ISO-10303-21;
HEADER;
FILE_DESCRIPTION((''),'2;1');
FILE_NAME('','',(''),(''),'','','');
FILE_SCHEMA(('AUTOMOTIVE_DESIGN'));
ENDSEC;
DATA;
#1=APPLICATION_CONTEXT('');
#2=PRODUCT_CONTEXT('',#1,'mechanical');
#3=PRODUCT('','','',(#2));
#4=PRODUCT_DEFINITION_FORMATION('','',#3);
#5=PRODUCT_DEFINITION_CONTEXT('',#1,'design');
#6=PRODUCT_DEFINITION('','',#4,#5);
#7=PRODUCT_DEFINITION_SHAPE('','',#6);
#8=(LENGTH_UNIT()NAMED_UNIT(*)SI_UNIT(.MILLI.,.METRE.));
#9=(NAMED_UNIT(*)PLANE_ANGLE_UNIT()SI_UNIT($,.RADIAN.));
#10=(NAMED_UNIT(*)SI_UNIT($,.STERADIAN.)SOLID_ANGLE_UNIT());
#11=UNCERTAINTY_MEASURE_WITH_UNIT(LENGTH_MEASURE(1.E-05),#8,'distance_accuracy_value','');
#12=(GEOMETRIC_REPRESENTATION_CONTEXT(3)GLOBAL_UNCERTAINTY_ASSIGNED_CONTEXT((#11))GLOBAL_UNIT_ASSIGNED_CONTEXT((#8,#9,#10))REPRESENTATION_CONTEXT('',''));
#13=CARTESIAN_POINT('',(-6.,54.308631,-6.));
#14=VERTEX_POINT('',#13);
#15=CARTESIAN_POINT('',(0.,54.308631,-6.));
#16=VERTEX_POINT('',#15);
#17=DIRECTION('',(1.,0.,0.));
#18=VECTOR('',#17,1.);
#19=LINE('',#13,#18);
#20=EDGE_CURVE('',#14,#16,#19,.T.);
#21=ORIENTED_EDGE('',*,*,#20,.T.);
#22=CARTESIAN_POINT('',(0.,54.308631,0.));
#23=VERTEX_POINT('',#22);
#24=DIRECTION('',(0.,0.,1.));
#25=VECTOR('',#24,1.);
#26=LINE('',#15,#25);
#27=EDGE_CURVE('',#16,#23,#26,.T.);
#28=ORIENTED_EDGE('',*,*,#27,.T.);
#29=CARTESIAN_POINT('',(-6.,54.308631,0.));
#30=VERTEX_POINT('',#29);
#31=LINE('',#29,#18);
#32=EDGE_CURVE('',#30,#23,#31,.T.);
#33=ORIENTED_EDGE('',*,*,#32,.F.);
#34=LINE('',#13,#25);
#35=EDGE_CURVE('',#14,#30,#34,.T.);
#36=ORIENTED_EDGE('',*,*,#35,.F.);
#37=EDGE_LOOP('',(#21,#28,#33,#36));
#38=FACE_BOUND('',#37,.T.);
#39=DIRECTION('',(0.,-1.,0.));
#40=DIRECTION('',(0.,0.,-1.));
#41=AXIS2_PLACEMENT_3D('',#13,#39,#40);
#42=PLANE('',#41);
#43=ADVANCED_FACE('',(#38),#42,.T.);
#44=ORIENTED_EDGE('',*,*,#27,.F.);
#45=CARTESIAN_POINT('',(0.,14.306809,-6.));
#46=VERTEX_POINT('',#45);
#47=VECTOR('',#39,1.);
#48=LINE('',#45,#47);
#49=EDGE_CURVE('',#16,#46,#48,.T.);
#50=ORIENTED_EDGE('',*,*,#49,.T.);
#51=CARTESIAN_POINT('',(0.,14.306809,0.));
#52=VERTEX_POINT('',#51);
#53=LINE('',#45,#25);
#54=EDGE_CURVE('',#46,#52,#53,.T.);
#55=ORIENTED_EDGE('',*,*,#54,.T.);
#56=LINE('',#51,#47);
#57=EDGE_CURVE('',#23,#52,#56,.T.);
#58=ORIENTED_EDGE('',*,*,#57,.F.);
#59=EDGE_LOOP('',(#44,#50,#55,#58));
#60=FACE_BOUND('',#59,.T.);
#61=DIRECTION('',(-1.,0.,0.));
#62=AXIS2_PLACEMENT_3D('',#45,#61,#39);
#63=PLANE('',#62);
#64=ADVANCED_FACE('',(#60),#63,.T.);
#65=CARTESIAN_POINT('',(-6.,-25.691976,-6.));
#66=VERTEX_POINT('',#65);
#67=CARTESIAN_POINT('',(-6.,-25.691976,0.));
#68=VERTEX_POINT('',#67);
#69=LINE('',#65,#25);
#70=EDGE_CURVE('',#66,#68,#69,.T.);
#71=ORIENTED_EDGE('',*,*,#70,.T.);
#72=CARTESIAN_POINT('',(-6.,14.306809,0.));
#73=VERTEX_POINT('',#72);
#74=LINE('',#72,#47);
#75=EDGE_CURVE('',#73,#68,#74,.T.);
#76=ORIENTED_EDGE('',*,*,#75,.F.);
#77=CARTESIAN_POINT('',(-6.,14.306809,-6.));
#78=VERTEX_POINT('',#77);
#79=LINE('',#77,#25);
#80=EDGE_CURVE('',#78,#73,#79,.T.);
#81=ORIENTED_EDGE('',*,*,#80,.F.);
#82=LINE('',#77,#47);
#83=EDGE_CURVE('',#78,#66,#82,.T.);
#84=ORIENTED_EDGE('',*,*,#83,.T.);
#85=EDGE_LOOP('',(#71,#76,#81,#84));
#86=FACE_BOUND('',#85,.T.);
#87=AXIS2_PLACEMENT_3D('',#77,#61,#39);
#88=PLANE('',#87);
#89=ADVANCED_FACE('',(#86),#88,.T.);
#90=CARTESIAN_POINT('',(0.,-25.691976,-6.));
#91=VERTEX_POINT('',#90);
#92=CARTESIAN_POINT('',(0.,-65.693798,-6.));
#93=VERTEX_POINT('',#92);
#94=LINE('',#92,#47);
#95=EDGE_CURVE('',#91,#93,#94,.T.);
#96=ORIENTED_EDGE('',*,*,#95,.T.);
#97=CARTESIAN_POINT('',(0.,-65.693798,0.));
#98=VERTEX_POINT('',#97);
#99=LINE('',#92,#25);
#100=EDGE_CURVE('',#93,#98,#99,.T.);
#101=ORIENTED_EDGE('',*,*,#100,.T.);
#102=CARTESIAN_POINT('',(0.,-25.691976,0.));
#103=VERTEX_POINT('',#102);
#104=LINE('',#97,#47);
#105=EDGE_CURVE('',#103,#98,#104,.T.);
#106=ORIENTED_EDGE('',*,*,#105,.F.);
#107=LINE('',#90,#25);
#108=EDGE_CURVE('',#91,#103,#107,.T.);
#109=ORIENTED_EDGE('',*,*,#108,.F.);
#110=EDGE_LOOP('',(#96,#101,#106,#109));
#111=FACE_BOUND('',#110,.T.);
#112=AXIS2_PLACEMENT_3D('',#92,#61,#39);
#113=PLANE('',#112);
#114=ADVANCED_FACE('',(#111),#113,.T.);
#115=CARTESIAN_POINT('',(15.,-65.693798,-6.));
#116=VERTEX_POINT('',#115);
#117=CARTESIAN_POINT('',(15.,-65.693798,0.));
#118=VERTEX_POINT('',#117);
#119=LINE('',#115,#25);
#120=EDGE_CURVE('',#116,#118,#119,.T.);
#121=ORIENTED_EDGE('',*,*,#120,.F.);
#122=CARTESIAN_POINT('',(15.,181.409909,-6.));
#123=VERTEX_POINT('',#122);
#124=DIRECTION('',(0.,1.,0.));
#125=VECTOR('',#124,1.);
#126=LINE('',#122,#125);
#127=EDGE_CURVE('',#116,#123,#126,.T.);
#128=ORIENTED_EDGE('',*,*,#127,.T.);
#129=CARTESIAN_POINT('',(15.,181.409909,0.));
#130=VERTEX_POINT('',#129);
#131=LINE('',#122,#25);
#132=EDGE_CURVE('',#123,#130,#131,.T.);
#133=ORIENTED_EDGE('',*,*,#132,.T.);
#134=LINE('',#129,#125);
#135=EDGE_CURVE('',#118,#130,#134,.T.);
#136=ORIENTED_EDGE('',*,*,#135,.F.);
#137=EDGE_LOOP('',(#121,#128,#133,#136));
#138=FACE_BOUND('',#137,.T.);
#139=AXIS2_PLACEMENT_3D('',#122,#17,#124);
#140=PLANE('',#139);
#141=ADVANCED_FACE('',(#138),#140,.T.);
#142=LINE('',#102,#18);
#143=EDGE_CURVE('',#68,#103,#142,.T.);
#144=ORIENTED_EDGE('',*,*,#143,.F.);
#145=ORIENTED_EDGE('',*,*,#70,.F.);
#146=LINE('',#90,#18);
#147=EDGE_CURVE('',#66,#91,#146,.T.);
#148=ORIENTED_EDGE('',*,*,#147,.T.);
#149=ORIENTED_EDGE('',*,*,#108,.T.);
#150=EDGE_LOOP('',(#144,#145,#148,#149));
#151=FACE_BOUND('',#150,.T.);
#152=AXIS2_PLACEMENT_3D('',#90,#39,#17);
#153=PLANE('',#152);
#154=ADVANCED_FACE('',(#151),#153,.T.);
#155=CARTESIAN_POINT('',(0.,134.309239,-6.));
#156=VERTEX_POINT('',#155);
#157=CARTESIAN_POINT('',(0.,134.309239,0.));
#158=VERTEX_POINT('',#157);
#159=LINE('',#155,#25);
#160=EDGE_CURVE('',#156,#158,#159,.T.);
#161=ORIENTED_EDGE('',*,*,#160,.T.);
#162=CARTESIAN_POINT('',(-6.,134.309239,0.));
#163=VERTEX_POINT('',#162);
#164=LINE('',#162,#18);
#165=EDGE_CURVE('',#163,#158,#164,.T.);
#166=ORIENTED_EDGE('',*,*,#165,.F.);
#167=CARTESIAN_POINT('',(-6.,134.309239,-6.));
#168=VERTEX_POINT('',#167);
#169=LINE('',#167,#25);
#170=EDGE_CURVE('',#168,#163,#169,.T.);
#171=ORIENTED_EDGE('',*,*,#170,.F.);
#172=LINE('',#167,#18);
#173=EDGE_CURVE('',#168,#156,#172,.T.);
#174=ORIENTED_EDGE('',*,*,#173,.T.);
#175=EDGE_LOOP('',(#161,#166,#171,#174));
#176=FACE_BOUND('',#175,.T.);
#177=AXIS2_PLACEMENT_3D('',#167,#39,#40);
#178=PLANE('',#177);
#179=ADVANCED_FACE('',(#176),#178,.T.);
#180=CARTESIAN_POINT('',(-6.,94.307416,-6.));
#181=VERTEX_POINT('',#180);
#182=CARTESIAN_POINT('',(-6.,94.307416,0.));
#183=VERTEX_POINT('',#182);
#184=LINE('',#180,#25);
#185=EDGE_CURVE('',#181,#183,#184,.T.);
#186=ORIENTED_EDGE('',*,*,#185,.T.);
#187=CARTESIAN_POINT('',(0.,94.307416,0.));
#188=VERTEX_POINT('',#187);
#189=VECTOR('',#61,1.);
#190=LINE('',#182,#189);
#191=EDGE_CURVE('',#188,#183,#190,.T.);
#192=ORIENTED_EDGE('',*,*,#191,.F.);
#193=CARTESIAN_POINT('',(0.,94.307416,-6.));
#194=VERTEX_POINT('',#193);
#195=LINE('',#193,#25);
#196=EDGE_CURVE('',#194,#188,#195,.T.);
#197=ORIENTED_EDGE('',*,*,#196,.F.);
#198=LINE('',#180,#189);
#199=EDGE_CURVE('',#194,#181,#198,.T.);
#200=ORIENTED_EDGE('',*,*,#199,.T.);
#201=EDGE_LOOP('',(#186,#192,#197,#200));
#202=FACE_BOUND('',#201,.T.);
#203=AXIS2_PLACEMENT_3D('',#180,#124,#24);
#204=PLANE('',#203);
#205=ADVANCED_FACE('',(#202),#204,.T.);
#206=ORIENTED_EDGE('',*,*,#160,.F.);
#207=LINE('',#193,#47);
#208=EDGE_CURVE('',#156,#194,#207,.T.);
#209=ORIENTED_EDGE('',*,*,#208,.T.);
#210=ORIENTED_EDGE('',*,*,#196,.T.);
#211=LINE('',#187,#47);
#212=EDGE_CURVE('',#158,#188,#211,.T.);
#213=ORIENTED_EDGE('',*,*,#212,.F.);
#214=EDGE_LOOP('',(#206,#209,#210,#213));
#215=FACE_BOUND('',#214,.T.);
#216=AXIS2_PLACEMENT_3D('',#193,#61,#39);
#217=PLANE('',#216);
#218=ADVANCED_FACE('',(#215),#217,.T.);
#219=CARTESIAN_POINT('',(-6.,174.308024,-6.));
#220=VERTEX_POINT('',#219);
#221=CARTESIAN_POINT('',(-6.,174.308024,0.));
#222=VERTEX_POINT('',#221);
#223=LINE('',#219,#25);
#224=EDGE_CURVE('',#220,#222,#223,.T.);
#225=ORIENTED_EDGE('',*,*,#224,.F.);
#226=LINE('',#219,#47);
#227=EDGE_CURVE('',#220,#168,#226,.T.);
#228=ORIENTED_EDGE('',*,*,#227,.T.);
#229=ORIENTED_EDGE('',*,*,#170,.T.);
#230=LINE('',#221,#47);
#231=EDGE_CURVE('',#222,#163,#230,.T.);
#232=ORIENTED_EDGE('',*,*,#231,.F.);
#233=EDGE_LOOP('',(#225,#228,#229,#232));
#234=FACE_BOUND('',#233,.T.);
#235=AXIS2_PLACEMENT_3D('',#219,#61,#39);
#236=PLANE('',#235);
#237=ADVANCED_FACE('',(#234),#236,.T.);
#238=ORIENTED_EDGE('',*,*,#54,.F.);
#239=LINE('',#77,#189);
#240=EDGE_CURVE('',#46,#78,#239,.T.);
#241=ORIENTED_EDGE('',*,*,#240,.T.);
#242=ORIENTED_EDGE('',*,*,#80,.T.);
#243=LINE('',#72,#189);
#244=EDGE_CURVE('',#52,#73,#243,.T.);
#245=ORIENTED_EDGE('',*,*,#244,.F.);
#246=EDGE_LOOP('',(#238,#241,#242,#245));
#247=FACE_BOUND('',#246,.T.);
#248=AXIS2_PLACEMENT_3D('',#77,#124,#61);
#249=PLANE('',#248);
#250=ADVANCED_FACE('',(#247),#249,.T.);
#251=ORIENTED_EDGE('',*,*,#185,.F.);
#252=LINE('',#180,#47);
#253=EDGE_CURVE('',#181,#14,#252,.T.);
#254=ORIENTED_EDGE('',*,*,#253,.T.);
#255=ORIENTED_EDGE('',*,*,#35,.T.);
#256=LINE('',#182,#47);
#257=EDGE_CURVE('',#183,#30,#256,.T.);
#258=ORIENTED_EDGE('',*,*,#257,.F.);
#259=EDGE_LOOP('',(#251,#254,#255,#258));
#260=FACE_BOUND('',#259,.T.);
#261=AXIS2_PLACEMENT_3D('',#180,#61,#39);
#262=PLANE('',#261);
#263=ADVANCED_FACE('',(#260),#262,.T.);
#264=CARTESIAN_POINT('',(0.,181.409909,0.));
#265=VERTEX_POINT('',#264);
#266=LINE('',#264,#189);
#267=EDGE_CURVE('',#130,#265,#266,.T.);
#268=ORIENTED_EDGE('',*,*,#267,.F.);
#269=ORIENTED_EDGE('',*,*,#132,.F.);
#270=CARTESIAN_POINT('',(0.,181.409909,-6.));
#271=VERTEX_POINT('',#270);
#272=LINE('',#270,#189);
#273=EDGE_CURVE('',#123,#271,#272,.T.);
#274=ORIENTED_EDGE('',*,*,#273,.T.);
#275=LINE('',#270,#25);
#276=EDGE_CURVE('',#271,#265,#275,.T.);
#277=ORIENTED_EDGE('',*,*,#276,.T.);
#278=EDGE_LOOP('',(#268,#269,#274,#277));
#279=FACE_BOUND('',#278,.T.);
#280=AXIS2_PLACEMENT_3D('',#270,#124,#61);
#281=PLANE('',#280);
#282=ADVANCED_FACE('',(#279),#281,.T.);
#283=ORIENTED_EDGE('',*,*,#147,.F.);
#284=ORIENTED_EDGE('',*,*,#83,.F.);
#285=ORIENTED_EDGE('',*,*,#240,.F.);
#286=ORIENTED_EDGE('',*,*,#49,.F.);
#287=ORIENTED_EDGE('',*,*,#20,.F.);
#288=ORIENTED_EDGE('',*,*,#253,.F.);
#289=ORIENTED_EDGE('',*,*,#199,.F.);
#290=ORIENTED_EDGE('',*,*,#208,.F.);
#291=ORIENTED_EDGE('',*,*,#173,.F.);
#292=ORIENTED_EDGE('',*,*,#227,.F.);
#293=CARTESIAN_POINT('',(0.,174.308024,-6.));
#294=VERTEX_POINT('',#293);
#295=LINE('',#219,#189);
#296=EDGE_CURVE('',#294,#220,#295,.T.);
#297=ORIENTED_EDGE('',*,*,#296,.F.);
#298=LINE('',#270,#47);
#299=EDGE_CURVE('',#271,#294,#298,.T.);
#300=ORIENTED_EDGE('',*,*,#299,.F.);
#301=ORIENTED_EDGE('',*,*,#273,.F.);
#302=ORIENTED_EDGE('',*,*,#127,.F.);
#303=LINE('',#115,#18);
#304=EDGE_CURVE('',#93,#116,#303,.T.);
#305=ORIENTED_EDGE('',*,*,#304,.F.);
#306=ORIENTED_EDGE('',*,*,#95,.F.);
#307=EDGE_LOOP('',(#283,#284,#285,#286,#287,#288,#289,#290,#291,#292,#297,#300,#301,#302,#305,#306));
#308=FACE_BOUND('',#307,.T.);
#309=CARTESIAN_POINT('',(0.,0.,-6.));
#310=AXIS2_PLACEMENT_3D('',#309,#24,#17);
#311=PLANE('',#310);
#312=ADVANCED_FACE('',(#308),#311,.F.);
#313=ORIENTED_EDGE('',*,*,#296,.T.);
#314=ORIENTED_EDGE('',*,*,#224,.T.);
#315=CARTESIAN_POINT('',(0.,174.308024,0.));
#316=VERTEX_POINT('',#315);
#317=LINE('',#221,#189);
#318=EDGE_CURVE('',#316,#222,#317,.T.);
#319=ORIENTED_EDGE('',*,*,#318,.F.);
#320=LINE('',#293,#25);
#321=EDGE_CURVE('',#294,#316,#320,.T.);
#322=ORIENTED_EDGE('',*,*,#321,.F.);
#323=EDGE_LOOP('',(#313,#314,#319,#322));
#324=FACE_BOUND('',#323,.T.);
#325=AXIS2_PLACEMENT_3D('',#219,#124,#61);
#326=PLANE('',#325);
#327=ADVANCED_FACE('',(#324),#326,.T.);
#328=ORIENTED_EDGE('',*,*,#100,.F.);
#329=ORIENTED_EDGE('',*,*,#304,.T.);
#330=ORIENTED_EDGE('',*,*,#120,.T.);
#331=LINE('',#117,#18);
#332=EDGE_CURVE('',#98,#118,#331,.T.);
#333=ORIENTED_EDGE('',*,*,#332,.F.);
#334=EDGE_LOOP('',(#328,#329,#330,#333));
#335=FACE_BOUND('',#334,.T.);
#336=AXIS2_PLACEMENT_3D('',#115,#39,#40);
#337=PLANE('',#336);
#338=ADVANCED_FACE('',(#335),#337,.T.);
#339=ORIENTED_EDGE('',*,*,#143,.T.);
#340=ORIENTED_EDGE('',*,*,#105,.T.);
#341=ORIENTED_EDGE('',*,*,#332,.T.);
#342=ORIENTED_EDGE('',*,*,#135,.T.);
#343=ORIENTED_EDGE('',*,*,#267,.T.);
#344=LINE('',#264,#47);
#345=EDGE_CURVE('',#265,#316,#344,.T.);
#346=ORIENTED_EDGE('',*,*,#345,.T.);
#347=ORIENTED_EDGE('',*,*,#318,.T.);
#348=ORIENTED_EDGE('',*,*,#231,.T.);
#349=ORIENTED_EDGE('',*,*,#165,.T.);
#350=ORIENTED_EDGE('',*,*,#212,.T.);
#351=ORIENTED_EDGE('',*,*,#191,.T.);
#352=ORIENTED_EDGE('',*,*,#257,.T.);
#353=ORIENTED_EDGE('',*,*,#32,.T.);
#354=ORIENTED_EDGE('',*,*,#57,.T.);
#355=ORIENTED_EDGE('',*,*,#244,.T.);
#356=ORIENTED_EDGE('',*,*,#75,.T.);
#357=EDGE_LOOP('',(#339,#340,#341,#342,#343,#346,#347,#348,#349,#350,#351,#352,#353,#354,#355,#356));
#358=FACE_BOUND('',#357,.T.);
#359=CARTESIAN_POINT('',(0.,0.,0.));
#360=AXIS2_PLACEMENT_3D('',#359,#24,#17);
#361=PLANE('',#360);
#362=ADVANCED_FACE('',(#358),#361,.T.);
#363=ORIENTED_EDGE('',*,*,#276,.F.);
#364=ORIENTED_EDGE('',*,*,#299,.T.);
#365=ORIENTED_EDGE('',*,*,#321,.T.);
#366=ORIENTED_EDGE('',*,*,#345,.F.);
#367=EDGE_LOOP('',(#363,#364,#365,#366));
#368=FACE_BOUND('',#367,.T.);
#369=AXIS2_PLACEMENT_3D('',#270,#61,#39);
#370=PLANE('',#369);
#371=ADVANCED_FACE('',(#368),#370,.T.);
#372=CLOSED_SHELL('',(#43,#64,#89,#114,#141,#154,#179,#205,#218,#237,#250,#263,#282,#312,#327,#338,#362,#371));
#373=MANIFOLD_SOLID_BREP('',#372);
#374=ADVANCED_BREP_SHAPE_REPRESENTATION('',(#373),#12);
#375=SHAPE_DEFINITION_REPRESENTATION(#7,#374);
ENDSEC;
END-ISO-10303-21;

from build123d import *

# Parameters (mm, degrees)
BOSS_EXTRU_1_DEPTH = 6


with BuildPart() as part:
    # Esquisse1 → Boss.-Extru.1 (new body)
    with BuildSketch(Plane.XY):
        Polygon((15, 181.409908735), (15, -65.693798427), (0, -65.693798427), (0, -25.691976137), (-6, -25.691976137), (-6, 14.306809003), (0, 14.306809003), (0, 54.308631292), (-6, 54.308631292), (-6, 94.307416433), (0, 94.307416433), (0, 134.309238722), (-6, 134.309238722), (-6, 174.308023863), (0, 174.308023863), (0, 181.409908735), align=None)
    extrude(amount=-BOSS_EXTRU_1_DEPTH)


solid = part.part
